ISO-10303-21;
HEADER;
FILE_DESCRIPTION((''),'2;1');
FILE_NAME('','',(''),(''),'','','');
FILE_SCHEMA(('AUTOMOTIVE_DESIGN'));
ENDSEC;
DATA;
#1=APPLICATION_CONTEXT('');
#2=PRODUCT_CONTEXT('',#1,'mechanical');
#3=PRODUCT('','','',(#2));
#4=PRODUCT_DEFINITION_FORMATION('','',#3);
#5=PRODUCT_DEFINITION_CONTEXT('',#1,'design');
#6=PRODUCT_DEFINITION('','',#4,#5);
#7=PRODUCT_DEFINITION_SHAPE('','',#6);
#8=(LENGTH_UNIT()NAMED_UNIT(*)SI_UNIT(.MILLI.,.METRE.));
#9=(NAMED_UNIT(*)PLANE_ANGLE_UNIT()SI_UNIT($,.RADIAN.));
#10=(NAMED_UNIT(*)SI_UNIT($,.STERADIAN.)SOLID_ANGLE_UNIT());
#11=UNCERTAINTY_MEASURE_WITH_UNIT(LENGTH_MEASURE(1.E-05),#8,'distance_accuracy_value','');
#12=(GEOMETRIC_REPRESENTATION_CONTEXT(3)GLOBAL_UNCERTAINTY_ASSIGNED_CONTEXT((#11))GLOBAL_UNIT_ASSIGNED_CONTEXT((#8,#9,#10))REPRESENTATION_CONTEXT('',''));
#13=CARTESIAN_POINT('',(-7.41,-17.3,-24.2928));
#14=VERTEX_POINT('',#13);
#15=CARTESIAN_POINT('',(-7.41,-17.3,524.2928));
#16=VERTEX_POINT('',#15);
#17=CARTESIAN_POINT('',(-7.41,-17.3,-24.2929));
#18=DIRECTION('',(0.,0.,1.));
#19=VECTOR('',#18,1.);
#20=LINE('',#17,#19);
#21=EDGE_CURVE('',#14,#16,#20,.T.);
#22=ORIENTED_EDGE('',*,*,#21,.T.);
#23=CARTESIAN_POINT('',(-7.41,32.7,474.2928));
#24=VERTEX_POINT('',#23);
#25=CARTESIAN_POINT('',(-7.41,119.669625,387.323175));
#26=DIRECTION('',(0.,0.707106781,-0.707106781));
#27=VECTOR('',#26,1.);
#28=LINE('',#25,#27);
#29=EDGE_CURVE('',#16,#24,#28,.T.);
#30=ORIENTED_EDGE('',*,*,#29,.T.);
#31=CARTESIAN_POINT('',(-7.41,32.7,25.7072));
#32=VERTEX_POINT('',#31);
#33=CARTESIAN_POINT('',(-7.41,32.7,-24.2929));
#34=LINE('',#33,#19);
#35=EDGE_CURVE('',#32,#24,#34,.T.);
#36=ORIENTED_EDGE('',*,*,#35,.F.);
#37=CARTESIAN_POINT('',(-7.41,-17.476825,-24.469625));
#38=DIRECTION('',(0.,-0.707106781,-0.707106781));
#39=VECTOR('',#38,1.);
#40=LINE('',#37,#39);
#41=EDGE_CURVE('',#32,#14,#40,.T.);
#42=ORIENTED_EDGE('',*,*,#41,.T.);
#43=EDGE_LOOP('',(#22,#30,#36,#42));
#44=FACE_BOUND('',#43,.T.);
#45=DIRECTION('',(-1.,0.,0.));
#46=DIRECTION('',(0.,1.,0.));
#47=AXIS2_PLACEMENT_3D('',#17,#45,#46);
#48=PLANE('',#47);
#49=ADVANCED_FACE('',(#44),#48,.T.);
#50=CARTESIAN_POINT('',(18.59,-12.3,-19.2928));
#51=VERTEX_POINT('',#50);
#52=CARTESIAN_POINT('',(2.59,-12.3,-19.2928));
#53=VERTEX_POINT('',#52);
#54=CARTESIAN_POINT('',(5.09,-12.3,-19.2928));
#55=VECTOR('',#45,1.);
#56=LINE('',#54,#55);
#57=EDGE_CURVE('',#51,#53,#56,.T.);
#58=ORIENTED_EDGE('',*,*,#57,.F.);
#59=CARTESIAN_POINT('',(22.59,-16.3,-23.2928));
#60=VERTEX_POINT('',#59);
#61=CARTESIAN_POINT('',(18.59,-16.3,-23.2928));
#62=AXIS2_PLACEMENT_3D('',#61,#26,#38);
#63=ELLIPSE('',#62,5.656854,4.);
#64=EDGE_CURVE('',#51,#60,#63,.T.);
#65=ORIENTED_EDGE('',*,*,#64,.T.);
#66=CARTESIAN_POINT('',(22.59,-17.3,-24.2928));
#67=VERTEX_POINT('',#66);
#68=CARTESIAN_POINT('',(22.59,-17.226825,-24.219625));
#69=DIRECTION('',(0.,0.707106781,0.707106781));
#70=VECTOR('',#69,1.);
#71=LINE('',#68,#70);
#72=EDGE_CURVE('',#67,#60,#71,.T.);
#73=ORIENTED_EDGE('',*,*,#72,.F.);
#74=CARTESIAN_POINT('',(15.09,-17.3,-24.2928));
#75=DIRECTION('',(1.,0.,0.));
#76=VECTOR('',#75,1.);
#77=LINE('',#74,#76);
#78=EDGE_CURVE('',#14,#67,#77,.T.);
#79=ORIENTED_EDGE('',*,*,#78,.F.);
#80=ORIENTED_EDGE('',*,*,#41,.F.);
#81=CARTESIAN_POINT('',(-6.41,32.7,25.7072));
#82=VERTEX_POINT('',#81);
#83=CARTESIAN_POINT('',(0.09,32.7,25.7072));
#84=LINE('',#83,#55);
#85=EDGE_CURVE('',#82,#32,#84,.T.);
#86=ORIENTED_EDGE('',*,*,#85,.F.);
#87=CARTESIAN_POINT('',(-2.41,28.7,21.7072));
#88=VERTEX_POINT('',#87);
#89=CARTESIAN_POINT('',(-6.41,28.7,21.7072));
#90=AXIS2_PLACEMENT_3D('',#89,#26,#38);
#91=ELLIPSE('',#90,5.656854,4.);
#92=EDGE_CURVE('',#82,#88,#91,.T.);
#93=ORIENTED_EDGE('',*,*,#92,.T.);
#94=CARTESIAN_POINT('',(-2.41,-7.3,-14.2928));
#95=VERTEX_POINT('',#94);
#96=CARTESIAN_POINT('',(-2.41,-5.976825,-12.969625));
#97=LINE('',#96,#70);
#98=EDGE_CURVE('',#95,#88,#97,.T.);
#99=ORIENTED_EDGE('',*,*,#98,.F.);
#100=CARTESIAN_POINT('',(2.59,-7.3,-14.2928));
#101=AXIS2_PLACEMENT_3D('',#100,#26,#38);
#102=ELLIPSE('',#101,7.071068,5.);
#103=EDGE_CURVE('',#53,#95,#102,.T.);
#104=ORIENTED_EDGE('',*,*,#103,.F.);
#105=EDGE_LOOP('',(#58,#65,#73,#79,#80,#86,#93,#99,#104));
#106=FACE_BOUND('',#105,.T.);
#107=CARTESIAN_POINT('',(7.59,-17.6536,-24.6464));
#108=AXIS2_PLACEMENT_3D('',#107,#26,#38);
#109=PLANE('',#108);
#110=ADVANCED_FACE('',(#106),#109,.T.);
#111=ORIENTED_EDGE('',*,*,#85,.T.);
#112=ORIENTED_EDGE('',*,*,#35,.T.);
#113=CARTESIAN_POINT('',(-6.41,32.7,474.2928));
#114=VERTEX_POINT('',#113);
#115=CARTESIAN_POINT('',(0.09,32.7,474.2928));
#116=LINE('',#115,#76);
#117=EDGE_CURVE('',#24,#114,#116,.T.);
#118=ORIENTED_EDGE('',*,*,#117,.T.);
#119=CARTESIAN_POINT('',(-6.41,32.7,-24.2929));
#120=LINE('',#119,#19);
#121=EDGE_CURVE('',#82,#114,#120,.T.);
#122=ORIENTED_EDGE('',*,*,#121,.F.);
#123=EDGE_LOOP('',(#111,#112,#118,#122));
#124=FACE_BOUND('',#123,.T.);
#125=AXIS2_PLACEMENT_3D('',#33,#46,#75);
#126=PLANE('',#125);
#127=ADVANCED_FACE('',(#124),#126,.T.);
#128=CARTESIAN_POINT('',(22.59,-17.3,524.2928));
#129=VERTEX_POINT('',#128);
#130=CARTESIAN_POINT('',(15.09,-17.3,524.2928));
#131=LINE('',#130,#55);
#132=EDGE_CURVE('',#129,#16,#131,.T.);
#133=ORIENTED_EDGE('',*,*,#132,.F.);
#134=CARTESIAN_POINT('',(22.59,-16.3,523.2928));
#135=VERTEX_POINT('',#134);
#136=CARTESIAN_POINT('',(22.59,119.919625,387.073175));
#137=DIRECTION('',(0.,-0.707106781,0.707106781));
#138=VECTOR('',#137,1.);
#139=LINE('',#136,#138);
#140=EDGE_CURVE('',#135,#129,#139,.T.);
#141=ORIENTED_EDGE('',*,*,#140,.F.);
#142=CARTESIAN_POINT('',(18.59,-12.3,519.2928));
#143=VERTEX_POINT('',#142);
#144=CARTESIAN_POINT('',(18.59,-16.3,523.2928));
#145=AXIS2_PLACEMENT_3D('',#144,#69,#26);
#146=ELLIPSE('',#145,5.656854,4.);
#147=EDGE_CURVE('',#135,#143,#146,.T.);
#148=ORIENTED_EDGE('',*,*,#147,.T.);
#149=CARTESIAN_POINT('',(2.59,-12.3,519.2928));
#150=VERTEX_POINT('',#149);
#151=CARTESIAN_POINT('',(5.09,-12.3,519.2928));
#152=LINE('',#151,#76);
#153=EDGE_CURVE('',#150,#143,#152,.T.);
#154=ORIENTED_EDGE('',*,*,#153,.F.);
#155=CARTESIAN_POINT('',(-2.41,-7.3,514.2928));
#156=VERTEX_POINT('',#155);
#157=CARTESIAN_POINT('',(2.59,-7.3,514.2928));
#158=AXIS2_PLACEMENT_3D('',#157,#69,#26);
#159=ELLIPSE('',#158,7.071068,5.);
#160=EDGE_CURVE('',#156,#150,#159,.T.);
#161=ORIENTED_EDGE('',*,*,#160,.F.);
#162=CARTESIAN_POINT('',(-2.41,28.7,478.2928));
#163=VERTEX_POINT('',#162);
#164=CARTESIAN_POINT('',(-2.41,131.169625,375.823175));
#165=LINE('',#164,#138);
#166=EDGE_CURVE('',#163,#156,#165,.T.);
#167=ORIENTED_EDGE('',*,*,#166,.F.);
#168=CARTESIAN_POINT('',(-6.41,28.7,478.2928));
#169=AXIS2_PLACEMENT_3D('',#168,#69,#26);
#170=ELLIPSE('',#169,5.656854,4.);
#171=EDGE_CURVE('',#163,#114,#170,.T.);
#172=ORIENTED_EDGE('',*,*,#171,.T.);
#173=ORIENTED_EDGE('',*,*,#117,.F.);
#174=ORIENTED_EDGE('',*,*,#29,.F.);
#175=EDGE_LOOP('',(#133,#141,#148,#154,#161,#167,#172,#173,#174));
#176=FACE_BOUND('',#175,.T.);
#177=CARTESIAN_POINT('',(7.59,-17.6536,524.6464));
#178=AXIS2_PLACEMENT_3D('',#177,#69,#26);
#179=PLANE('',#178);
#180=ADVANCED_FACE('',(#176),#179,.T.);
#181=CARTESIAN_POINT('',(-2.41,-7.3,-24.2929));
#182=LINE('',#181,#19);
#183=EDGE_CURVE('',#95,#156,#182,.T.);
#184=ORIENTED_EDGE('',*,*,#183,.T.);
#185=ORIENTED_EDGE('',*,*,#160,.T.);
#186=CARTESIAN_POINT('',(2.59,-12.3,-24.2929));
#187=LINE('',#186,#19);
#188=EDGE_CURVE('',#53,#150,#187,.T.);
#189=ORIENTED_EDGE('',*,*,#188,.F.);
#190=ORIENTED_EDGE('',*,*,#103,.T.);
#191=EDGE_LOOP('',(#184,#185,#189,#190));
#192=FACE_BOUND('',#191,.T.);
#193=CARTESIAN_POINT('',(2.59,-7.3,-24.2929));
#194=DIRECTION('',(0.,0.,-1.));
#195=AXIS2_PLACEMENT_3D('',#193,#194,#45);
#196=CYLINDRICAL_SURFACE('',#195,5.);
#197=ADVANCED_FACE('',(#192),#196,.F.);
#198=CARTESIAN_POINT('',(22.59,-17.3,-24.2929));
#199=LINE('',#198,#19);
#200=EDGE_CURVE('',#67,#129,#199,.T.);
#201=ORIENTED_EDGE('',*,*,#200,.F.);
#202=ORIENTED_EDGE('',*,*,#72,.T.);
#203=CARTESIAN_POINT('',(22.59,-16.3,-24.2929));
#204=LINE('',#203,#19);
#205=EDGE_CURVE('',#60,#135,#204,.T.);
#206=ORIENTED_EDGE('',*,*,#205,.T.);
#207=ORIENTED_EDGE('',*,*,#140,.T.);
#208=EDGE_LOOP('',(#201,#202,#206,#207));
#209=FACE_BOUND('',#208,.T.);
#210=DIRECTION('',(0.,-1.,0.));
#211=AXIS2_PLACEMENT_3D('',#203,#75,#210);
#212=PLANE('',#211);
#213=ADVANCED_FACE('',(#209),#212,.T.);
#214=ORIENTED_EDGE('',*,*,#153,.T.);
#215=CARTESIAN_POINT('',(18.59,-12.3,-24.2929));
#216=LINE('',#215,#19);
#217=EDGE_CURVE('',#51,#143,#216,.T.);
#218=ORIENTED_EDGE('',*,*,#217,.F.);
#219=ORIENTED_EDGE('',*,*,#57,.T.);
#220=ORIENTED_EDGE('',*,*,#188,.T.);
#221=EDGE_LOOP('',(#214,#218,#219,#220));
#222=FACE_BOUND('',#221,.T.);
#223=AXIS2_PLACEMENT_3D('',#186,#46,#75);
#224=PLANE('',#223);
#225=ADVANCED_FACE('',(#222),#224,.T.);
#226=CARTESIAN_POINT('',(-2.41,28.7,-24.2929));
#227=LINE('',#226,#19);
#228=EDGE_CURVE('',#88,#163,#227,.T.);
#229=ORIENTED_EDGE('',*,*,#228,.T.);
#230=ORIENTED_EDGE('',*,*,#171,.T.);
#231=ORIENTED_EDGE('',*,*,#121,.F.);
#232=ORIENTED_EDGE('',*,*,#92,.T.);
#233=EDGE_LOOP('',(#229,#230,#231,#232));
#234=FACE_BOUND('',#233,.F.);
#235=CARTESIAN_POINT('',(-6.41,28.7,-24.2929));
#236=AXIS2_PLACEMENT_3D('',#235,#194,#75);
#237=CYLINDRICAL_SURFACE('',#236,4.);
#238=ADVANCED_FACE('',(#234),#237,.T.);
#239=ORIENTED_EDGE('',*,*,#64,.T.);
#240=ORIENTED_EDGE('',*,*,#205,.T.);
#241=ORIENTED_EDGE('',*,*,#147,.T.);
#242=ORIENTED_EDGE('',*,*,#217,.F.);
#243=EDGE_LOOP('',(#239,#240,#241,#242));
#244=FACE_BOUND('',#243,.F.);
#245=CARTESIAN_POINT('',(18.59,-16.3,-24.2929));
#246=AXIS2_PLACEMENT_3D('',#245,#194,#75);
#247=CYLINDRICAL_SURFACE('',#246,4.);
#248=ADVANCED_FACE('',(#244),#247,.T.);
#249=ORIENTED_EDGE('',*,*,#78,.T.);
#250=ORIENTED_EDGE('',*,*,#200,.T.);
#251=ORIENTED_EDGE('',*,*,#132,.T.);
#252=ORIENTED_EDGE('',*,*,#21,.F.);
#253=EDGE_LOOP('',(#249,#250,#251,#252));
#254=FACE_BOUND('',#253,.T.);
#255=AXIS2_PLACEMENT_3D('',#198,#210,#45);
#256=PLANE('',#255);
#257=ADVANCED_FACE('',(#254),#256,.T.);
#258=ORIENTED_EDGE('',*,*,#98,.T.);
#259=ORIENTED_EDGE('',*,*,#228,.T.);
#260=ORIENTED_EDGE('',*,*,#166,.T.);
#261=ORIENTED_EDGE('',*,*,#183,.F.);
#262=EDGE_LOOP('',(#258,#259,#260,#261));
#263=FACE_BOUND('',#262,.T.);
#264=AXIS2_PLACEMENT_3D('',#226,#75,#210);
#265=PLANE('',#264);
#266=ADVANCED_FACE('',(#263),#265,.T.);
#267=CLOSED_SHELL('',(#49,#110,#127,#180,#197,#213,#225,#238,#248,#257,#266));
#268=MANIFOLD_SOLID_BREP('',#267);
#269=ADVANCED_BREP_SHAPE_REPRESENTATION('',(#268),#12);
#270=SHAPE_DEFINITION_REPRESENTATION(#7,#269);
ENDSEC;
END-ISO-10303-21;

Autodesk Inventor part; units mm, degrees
ref_plane "Start Plane" through (0, 0, -24.2929) normal (0, 0, 1) x (1, 0, 0)
ref_plane "End Plane" through (0, 0, 524.2929) normal (0, 0, 1) x (1, 0, 0)
sketch "Sketch" plane through (0, 0, 0) normal (0, 0, 1) x (1, 0, 0)
  line L0 (-2.41, 28.7) -> (-2.41, -7.3)
  line L1 (-7.41, 32.7) -> (-6.41, 32.7)
  line L2 (-7.41, -17.3) -> (-7.41, 32.7)
  line L3 (22.59, -17.3) -> (-7.41, -17.3)
  line L4 (22.59, -16.3) -> (22.59, -17.3)
  line L5 (2.59, -12.3) -> (18.59, -12.3)
  arc A0 (-2.41, -7.3) -> (2.59, -12.3) centre (2.59, -7.3) ccw
  arc A1 (-2.41, 28.7) -> (-6.41, 32.7) centre (-6.41, 28.7) ccw
  arc A2 (22.59, -16.3) -> (18.59, -12.3) centre (18.59, -16.3) ccw
  line L6 (0, 43.6941) -> (0, -27.4657) construction
  line L7 (-13.5757, 0) -> (29.5841, 0) construction
  point P0 (-2.41, 32.7)
  point P1 (-2.41, -12.3)
  point P2 (22.59, -12.3)
  dimension "d4" = 30
  dimension "d6" = 50
  dimension "d8" = 5
  dimension "d10" = 5
  dimension "d17" = 5
  dimension "d18" = 4
  dimension "d19" = 17.3
  dimension "d20" = 7.41
extrude "Body" add sketch "Sketch" along normal up to surface (548.5858 mm away) from surface at -24.2929
sketch "Sketch3" plane through (0, 0, 0) normal (0, 0, 1) x (1, 0, 0)
  line L0 (0, 0) -> (10, 0)
ref_plane "Work Plane10" through (0, 0, 0) normal (0, -1, 0) x (1, 0, 0)
sketch "Sketch4" plane through (0, 0, 0) normal (0, -1, 0) x (1, 0, 0)
  line L0 (-2, -24.2929) -> (12, -24.2929)
  line L1 (-2, 524.2929) -> (12, 524.2929)
  dimension "d24" = 548.5858
ref_plane "Work Plane11" through (7.59, -17.6536, -24.6464) normal (0, 0.7071, -0.7071) x (1, 0, 0)
split "Split1" plane through (7.59, -17.6536, -24.6464) removes the side toward (0, 0.7071, -0.7071)
ref_plane "Work Plane12" through (7.59, -17.6536, 524.6464) normal (0, 0.7071, 0.7071) x (1, 0, 0)
split "Split2" plane through (7.59, -17.6536, 524.6464) removes the side toward (0, 0.7071, 0.7071)
equation "\"d4\" = b"
equation "\"d6\" = ParH"
equation "\"d8\" = ParT"
equation "\"d10\" = ParT"
equation "\"d17\" = R"
equation "\"d18\" = R1"
equation "\"d19\" = ex"
equation "\"d20\" = ey"
equation "\"d11\" = G_L"
equation "\"b\" = 30"
equation "\"ParT\" = 5"
equation "\"R1\" = 4"
equation "\"G_L\" = d24"
equation "\"ParH\" = 50"
equation "\"R\" = 5"
equation "\"ey\" = 7.41"
equation "\"ex\" = 17.3"
equation "\"G_OFFSET_START\" = 24.29289"
equation "\"G_OFFSET_END\" = 24.29289"
equation "\"d21\" = -G_OFFSET_START"
equation "\"d22\" = G_OFFSET_END + B_L"
equation "\"B_L\" = 500"
properties part number "ISO 657-2 - 50x 30x 5-548.59" material "Steel, Mild"
